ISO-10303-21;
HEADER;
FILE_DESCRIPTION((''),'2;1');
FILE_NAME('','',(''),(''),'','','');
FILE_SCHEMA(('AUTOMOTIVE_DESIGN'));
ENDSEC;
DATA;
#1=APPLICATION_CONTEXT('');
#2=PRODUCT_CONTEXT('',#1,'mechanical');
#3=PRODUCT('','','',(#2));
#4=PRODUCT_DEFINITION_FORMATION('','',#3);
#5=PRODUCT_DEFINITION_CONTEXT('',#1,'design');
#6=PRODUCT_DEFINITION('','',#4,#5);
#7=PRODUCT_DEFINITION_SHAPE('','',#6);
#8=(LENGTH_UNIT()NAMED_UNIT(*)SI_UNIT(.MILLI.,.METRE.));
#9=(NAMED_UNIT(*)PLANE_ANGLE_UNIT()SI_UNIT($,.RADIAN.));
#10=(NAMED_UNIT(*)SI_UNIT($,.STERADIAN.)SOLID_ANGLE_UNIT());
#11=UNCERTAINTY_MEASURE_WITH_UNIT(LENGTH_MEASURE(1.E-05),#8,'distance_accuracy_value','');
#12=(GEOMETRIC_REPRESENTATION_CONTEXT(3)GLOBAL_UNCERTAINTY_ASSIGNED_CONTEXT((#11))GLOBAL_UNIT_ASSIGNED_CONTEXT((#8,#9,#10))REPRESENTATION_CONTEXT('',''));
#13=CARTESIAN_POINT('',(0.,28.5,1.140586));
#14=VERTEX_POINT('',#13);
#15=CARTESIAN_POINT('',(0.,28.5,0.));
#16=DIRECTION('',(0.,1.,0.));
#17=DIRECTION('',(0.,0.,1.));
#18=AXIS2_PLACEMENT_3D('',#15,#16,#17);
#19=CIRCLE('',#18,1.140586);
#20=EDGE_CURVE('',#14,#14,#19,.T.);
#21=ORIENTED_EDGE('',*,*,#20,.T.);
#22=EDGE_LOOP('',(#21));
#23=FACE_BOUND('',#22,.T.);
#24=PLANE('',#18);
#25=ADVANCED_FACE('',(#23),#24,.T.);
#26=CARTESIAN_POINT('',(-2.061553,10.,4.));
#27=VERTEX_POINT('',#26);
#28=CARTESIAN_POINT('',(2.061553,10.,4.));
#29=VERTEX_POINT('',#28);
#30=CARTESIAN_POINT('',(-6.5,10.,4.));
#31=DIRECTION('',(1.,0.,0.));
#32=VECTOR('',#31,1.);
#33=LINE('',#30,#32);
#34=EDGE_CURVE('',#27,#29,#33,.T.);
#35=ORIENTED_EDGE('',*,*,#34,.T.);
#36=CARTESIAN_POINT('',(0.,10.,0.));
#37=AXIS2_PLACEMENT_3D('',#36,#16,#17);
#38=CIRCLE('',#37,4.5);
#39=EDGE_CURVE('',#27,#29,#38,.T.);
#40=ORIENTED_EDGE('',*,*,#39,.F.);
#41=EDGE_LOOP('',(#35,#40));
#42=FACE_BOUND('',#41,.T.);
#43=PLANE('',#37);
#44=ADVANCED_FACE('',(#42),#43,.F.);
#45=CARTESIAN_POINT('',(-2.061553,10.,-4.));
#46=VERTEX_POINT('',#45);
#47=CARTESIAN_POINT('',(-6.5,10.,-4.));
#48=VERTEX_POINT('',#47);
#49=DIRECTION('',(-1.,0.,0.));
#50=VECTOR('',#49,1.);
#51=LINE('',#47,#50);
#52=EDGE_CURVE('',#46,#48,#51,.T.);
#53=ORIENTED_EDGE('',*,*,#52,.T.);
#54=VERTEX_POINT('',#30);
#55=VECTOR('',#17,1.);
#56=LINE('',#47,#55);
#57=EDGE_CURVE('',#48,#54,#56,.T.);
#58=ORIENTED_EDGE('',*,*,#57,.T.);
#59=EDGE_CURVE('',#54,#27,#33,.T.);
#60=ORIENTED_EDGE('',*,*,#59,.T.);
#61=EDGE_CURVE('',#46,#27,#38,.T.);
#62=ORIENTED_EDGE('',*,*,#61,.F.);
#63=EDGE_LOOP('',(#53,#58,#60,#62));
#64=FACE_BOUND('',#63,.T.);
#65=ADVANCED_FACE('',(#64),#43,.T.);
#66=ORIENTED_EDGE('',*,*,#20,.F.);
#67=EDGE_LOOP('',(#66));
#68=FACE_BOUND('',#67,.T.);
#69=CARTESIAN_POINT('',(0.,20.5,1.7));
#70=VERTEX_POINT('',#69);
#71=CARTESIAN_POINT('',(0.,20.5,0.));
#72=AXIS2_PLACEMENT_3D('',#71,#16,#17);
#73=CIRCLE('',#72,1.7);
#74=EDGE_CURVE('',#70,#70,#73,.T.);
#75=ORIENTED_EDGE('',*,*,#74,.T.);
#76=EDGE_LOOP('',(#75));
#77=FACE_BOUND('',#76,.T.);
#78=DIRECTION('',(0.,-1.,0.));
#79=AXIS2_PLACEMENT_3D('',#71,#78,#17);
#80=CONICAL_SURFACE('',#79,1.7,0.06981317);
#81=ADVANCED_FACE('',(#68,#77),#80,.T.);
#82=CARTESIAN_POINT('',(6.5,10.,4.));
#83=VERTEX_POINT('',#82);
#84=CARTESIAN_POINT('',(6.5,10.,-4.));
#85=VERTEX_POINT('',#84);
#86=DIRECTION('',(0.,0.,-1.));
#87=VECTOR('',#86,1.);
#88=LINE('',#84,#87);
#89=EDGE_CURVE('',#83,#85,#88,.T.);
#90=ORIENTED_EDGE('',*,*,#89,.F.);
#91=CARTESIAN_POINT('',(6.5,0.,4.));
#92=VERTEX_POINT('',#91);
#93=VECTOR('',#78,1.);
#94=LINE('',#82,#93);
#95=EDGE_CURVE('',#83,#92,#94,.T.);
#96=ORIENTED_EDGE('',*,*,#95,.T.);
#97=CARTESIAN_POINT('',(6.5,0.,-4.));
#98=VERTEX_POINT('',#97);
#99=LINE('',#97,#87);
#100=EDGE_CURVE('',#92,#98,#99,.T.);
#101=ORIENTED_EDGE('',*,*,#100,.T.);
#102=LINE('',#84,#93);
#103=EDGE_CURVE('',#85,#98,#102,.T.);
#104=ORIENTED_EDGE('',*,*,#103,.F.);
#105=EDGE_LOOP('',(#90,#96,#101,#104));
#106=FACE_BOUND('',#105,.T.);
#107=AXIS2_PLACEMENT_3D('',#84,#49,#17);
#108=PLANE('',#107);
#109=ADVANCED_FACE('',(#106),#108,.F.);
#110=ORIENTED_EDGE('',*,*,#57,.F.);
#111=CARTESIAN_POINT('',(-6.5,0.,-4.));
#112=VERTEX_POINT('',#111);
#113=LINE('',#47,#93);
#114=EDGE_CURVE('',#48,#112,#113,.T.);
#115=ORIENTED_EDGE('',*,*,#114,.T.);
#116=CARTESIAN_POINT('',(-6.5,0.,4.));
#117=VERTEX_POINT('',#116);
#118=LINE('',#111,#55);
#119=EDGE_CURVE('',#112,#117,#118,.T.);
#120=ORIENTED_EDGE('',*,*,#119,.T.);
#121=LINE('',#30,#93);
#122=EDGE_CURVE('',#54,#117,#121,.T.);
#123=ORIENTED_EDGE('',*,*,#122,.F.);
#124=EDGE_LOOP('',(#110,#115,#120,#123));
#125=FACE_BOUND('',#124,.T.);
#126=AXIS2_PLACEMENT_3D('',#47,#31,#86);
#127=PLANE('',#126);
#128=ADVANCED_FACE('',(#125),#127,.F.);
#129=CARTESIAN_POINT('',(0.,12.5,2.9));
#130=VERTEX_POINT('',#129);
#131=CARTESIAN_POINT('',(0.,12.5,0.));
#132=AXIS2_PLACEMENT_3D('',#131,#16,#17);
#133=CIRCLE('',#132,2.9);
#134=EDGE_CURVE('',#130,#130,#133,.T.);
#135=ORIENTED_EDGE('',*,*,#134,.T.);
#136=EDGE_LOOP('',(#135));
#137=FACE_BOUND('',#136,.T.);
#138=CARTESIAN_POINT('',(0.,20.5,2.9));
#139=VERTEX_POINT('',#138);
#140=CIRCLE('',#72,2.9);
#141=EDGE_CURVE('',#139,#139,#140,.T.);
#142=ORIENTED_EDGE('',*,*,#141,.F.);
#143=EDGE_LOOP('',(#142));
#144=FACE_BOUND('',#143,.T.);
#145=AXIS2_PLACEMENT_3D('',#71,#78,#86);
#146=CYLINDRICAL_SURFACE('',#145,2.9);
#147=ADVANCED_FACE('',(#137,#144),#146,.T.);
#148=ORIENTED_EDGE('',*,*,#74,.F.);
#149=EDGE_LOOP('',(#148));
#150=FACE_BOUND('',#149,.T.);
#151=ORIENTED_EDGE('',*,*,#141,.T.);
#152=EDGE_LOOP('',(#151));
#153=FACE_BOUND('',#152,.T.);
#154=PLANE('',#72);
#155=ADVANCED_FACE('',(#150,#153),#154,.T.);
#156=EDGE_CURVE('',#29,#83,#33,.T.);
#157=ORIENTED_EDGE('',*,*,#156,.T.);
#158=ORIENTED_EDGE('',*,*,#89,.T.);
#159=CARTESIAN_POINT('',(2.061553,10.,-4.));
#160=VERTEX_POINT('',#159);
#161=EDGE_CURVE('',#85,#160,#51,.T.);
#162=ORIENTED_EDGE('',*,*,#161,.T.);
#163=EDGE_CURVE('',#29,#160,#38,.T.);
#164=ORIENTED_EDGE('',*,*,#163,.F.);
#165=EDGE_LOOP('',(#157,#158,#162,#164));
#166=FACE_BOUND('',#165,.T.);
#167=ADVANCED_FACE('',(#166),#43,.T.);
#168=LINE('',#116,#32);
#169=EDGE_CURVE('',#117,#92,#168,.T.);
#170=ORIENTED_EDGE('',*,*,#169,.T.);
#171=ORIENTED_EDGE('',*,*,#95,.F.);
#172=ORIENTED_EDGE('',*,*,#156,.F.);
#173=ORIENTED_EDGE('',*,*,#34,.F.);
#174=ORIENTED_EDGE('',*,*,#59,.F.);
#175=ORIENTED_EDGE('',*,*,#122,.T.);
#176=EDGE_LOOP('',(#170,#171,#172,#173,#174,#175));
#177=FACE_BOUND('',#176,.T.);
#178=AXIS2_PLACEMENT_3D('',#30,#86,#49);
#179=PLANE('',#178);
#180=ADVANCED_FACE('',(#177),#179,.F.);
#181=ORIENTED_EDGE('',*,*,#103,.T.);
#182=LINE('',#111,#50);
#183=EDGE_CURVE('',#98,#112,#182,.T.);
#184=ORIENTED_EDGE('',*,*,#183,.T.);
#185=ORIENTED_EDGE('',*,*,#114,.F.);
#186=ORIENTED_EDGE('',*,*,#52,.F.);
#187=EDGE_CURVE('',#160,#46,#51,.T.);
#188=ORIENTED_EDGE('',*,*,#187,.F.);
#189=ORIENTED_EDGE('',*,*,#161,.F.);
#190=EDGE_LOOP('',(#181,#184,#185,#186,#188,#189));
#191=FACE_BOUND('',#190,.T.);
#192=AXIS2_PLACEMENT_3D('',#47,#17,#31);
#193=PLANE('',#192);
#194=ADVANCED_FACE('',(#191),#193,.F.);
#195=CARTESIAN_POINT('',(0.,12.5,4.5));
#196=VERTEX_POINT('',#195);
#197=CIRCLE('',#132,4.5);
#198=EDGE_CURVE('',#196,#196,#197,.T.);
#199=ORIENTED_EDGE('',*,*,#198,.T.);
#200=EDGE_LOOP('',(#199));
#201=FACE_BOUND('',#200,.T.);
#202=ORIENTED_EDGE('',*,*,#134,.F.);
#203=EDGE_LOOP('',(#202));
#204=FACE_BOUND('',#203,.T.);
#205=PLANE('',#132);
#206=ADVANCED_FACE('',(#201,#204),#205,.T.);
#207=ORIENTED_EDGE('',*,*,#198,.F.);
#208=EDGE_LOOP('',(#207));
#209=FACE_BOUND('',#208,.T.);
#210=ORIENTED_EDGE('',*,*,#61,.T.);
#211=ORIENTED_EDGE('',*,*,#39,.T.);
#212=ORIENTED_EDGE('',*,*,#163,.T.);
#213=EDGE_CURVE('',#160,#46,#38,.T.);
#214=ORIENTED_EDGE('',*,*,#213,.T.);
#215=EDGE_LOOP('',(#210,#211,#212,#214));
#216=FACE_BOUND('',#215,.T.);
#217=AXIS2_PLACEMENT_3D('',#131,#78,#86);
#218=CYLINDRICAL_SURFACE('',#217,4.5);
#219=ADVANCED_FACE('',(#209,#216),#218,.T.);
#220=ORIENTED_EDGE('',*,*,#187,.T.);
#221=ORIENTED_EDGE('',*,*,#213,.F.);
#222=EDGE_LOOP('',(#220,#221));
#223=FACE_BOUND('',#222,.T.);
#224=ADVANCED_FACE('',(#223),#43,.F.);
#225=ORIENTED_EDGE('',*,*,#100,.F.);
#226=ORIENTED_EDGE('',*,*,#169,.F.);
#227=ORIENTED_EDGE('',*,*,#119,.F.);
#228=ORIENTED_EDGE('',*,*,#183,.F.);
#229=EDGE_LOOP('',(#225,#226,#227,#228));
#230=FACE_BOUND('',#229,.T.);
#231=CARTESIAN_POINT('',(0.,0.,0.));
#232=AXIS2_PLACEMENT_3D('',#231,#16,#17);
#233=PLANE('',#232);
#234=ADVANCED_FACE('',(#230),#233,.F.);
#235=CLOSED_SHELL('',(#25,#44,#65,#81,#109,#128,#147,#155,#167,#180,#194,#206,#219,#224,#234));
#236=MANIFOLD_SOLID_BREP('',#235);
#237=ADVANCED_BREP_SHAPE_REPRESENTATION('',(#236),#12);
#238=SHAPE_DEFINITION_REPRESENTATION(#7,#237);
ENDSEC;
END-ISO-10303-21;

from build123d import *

# Parameters (mm, degrees)
ESQUISSE1_W        = 13
ESQUISSE1_H        = 8
BOSS_EXTRU_1_DEPTH = 10
ESQUISSE2_R        = 4.5
BOSS_EXTRU_2_DEPTH = 2.5
ESQUISSE3_R        = 2.9
BOSS_EXTRU_3_DEPTH = 8
ESQUISSE4_R        = 1.7
BOSS_EXTRU_4_DEPTH = 8
BOSS_EXTRU_4_TAPER = 4


with BuildPart() as part:
    # Esquisse1 → Boss.-Extru.1 (new body)
    with BuildSketch(Plane(origin=(0, 0, 0), x_dir=(1, 0, 0), z_dir=(0, 1, 0))):
        Rectangle(ESQUISSE1_W, ESQUISSE1_H)
    extrude(amount=BOSS_EXTRU_1_DEPTH)

    # Esquisse2 → Boss.-Extru.2 (add)
    with BuildSketch(Plane(origin=(0, 10, 0), x_dir=(1, 0, 0), z_dir=(0, 1, 0))):
        with Locations(Location((0, 0, 0), (0, 0, 62.733955549))):
            Circle(ESQUISSE2_R)
    extrude(amount=BOSS_EXTRU_2_DEPTH)

    # Esquisse3 → Boss.-Extru.3 (add)
    with BuildSketch(Plane(origin=(0, 12.5, 0), x_dir=(1, 0, 0), z_dir=(0, 1, 0))):
        with Locations(Location((0, 0, 0), (0, 0, 270))):
            Circle(ESQUISSE3_R)
    extrude(amount=BOSS_EXTRU_3_DEPTH)

    # Esquisse4 → Boss.-Extru.4 (add)
    with BuildSketch(Plane(origin=(0, 20.5, 0), x_dir=(1, 0, 0), z_dir=(0, 1, 0))):
        Circle(ESQUISSE4_R)
    extrude(amount=BOSS_EXTRU_4_DEPTH, taper=BOSS_EXTRU_4_TAPER)


solid = part.part
